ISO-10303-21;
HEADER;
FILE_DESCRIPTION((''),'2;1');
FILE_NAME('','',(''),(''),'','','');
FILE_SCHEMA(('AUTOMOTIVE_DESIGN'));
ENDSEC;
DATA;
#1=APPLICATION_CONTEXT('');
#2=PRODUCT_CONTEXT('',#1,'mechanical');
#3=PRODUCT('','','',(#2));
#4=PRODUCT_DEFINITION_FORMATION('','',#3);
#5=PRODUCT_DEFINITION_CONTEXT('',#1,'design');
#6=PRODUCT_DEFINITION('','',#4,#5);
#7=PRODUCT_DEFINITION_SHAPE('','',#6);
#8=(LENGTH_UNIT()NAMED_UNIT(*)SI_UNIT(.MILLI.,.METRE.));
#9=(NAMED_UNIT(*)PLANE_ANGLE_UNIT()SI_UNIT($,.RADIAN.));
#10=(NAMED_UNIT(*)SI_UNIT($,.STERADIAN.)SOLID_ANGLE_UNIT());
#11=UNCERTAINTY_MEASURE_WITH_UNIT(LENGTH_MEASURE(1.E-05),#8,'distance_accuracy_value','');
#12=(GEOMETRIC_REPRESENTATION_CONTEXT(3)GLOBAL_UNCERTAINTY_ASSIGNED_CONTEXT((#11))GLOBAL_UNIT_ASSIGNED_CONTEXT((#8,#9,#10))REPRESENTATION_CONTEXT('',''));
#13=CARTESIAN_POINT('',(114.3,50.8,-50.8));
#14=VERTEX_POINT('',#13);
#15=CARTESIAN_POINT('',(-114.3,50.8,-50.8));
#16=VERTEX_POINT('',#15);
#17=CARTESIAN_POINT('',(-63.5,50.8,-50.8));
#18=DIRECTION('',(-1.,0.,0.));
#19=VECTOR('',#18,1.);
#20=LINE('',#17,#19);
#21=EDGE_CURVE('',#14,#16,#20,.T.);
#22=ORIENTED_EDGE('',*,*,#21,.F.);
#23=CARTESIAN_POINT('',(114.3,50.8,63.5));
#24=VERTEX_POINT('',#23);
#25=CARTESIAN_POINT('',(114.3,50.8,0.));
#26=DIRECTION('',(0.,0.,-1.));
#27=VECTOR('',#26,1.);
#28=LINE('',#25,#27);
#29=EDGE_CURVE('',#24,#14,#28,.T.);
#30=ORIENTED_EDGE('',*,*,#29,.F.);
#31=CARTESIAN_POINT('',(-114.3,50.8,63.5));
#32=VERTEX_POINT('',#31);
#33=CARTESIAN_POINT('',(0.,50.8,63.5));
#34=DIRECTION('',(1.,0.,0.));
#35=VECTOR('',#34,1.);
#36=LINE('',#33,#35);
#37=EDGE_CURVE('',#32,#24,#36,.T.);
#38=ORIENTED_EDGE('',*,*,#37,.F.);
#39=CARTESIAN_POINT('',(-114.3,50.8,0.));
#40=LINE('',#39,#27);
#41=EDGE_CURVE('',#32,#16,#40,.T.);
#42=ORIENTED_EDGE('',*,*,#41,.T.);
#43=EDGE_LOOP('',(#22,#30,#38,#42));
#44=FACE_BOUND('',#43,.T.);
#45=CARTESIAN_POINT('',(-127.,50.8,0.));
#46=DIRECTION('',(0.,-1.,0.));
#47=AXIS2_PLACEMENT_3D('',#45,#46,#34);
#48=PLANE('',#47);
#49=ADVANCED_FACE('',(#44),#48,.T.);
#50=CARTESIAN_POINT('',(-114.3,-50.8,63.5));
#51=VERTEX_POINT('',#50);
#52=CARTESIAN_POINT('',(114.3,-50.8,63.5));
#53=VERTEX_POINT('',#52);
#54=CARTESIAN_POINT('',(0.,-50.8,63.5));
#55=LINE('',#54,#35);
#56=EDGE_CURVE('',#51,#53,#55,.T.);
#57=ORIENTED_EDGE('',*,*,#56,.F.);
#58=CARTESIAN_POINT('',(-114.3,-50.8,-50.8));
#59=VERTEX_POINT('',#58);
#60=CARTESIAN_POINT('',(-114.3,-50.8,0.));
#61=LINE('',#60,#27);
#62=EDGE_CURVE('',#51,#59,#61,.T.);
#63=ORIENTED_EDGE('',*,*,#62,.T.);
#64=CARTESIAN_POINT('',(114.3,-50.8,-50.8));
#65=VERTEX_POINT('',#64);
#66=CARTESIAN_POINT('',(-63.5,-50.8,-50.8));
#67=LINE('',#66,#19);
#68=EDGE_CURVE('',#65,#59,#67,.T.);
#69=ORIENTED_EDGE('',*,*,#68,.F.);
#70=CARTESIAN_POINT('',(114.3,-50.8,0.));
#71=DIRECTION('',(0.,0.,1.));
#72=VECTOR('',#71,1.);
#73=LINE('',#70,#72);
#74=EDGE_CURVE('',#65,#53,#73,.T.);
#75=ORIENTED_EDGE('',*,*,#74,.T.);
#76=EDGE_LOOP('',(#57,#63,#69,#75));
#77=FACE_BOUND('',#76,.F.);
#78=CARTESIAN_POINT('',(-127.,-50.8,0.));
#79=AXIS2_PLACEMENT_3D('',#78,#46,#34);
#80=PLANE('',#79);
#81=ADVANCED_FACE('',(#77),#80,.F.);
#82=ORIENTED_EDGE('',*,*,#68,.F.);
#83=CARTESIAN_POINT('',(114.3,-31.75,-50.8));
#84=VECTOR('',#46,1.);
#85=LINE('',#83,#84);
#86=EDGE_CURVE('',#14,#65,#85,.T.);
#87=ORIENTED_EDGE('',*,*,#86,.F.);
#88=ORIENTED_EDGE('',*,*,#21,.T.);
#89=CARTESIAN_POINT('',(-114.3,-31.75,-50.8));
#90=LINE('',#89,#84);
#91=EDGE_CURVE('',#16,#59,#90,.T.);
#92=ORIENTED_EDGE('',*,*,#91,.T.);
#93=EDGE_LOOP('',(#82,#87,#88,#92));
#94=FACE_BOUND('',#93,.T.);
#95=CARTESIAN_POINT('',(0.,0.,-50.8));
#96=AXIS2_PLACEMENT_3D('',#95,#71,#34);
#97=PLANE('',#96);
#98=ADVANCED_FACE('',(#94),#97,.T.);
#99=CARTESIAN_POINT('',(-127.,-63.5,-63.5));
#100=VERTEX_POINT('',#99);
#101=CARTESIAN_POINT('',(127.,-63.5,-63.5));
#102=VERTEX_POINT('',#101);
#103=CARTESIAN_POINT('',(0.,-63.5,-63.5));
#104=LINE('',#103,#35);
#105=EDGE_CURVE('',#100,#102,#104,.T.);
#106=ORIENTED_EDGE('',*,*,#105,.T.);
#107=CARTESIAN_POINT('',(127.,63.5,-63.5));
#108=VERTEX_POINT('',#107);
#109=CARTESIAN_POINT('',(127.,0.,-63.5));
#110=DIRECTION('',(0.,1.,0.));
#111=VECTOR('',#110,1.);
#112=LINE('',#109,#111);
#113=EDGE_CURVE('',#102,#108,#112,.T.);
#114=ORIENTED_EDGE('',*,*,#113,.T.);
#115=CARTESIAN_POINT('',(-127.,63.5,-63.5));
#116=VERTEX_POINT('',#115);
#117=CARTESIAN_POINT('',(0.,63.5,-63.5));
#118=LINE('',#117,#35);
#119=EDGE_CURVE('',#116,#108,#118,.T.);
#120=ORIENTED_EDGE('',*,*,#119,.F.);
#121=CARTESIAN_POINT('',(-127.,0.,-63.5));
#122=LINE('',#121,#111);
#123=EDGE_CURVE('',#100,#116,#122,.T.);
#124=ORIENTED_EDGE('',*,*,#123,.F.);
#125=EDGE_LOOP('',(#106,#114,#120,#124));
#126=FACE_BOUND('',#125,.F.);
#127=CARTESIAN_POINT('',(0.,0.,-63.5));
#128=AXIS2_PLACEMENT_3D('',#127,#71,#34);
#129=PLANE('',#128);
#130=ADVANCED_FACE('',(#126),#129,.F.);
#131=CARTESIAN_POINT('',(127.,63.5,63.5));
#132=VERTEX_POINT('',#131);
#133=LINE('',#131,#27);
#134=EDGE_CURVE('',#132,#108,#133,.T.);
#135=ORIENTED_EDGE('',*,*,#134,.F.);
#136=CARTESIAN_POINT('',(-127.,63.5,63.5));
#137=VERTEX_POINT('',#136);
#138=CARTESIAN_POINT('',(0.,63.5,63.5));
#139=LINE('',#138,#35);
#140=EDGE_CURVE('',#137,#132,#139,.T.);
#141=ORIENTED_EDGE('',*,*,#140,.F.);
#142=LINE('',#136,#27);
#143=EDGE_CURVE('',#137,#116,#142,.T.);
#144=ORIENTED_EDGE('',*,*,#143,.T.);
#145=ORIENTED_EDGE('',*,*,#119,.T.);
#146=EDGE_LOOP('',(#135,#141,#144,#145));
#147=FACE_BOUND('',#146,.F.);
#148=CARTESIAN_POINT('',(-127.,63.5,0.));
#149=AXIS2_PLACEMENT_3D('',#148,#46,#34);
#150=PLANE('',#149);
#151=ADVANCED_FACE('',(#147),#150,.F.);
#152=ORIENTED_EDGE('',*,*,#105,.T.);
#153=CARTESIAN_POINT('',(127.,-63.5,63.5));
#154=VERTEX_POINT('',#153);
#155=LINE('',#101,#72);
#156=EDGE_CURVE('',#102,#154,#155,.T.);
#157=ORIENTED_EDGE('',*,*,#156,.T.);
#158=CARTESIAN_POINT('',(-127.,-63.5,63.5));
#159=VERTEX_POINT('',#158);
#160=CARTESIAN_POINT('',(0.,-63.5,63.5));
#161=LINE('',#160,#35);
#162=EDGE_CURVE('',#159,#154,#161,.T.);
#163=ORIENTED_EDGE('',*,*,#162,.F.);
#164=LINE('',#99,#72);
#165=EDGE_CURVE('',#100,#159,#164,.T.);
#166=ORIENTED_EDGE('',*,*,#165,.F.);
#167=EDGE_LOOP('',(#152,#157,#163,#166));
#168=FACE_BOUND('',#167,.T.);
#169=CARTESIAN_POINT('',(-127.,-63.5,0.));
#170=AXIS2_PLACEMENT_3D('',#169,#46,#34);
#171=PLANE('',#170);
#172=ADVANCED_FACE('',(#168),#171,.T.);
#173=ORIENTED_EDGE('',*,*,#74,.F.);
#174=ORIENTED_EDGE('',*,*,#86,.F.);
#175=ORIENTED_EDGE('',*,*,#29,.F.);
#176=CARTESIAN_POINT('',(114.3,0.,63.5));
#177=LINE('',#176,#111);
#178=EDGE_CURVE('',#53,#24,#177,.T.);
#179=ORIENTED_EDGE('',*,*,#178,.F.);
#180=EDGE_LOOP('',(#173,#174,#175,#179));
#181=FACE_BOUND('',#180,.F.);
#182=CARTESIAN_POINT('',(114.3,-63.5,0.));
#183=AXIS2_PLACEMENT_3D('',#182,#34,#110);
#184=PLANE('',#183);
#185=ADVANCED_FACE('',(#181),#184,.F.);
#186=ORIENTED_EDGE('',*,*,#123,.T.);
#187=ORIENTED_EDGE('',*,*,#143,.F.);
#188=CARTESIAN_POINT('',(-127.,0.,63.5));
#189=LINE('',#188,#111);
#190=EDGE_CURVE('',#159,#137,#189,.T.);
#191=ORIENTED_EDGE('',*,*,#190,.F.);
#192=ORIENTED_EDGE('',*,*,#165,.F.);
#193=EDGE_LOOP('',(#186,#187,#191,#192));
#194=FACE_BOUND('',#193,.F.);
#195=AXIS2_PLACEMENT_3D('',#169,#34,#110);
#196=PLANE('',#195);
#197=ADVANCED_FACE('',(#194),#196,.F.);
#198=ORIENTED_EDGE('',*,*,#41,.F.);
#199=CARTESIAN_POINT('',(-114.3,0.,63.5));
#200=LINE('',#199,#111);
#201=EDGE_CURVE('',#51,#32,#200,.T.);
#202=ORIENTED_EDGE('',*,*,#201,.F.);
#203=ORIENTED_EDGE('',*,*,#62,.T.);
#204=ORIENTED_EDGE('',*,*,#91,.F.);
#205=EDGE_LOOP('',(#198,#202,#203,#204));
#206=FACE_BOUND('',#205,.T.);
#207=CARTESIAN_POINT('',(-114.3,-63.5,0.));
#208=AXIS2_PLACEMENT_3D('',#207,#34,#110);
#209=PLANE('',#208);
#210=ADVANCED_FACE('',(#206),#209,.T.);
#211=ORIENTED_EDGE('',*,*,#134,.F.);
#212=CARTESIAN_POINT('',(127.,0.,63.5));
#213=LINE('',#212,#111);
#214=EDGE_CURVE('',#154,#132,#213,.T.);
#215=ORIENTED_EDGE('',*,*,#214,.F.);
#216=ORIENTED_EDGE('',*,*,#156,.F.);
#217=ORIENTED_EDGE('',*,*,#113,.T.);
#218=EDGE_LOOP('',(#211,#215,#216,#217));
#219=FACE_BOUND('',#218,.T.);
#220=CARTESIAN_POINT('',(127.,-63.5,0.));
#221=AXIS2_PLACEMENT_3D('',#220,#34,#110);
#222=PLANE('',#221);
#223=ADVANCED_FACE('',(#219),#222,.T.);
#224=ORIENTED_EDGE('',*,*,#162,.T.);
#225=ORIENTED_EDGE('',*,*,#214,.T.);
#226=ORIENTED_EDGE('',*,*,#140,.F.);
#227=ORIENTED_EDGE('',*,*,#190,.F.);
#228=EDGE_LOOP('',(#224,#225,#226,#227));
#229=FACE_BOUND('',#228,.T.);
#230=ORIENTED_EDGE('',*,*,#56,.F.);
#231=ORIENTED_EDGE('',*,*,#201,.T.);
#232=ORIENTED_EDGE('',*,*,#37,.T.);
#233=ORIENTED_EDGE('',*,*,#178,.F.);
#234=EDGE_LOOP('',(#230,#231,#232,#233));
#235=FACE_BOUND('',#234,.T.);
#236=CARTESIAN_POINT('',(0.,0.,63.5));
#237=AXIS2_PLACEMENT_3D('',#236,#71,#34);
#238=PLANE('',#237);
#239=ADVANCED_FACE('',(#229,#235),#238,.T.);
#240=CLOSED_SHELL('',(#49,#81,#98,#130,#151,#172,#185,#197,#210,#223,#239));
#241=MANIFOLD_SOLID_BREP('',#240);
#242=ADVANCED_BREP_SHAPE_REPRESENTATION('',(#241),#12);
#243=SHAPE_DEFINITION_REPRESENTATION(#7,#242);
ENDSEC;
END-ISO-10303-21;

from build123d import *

# Parameters (mm, degrees)
F0_W     = 254
F0_H     = 127
F1_DEPTH = 63.5
F2_T     = -12.7


with BuildPart() as f1:
    # F0 (on Top) → F1 (new body, symmetric)
    with BuildSketch(Plane.XY):
        Rectangle(F0_W, F0_H)
    extrude(amount=F1_DEPTH, both=True)

    # F2
    f2_openings = [f1.faces().sort_by_distance(p)[0] for p in [
        (0, 0, 63.5),
    ]]
    offset(amount=F2_T, openings=f2_openings)


solid = f1.part
